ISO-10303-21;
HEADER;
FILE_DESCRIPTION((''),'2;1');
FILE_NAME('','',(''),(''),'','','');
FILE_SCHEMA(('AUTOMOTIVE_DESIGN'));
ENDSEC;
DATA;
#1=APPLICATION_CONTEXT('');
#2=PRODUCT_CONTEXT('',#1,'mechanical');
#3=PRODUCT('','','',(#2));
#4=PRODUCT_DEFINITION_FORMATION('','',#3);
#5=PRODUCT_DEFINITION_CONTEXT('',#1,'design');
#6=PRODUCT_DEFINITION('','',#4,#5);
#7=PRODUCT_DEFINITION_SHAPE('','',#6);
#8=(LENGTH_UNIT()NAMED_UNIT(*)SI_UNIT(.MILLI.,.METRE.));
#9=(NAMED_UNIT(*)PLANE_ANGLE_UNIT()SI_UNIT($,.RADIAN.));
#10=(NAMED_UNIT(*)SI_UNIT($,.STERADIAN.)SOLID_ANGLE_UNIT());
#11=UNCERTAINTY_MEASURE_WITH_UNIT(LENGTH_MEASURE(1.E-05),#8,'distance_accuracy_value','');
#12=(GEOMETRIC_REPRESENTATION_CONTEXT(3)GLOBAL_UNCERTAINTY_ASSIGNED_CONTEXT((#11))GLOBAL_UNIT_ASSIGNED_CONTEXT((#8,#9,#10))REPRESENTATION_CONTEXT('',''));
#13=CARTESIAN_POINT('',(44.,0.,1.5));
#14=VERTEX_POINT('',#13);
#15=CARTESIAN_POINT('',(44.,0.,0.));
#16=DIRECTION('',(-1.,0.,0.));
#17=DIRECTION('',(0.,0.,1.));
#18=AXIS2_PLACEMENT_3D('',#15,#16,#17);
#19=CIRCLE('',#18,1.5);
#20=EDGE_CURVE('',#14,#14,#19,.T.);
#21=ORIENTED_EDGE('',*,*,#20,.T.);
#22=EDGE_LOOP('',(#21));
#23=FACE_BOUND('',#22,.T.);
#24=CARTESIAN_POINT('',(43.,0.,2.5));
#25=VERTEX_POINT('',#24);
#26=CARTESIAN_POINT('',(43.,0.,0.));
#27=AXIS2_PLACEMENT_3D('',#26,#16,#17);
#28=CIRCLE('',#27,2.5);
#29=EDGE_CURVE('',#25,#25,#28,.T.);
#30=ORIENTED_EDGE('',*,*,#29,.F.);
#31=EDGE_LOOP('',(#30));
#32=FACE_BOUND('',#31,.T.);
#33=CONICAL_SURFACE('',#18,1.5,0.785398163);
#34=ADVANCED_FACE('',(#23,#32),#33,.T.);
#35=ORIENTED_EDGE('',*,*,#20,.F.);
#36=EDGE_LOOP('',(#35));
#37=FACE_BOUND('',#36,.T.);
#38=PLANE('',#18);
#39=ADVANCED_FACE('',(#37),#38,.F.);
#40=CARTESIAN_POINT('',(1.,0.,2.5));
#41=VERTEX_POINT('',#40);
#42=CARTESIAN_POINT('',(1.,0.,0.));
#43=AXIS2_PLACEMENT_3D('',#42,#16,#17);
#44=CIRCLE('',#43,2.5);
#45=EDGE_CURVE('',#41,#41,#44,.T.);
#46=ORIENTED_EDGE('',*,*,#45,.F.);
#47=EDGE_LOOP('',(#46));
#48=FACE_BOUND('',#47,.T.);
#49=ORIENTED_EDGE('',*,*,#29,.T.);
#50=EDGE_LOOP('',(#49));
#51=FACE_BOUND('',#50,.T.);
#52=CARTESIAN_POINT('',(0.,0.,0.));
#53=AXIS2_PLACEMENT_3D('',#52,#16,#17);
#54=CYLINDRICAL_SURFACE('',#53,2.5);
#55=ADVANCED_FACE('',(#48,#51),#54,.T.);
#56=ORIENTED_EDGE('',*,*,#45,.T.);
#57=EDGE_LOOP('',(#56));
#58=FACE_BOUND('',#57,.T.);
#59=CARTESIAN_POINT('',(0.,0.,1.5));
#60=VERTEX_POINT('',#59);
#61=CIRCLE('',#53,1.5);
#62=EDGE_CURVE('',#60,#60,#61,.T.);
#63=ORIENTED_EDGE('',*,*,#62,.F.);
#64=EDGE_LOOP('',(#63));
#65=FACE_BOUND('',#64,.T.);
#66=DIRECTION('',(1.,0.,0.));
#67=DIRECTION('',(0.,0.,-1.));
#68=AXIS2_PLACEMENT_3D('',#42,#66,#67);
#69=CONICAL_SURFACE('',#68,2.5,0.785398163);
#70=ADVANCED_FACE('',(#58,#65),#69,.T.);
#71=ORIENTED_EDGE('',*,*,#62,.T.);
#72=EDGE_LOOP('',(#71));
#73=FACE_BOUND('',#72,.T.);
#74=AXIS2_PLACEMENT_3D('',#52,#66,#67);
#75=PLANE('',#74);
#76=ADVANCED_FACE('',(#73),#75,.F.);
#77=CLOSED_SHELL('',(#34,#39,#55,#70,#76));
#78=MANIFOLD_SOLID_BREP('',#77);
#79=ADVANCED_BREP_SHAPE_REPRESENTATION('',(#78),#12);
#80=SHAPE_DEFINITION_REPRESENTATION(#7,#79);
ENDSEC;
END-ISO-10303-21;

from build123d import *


with BuildPart() as part:
    # Szkic1 → Obrót1 (revolve)
    with BuildSketch(Plane.XY):
        Polygon((0, 1.5), (1, 2.5), (43, 2.5), (44, 1.5), (44, 0), (0, 0), align=None)
    revolve(axis=Axis((0, 0, 0), (1, 0, 0)))


solid = part.part
